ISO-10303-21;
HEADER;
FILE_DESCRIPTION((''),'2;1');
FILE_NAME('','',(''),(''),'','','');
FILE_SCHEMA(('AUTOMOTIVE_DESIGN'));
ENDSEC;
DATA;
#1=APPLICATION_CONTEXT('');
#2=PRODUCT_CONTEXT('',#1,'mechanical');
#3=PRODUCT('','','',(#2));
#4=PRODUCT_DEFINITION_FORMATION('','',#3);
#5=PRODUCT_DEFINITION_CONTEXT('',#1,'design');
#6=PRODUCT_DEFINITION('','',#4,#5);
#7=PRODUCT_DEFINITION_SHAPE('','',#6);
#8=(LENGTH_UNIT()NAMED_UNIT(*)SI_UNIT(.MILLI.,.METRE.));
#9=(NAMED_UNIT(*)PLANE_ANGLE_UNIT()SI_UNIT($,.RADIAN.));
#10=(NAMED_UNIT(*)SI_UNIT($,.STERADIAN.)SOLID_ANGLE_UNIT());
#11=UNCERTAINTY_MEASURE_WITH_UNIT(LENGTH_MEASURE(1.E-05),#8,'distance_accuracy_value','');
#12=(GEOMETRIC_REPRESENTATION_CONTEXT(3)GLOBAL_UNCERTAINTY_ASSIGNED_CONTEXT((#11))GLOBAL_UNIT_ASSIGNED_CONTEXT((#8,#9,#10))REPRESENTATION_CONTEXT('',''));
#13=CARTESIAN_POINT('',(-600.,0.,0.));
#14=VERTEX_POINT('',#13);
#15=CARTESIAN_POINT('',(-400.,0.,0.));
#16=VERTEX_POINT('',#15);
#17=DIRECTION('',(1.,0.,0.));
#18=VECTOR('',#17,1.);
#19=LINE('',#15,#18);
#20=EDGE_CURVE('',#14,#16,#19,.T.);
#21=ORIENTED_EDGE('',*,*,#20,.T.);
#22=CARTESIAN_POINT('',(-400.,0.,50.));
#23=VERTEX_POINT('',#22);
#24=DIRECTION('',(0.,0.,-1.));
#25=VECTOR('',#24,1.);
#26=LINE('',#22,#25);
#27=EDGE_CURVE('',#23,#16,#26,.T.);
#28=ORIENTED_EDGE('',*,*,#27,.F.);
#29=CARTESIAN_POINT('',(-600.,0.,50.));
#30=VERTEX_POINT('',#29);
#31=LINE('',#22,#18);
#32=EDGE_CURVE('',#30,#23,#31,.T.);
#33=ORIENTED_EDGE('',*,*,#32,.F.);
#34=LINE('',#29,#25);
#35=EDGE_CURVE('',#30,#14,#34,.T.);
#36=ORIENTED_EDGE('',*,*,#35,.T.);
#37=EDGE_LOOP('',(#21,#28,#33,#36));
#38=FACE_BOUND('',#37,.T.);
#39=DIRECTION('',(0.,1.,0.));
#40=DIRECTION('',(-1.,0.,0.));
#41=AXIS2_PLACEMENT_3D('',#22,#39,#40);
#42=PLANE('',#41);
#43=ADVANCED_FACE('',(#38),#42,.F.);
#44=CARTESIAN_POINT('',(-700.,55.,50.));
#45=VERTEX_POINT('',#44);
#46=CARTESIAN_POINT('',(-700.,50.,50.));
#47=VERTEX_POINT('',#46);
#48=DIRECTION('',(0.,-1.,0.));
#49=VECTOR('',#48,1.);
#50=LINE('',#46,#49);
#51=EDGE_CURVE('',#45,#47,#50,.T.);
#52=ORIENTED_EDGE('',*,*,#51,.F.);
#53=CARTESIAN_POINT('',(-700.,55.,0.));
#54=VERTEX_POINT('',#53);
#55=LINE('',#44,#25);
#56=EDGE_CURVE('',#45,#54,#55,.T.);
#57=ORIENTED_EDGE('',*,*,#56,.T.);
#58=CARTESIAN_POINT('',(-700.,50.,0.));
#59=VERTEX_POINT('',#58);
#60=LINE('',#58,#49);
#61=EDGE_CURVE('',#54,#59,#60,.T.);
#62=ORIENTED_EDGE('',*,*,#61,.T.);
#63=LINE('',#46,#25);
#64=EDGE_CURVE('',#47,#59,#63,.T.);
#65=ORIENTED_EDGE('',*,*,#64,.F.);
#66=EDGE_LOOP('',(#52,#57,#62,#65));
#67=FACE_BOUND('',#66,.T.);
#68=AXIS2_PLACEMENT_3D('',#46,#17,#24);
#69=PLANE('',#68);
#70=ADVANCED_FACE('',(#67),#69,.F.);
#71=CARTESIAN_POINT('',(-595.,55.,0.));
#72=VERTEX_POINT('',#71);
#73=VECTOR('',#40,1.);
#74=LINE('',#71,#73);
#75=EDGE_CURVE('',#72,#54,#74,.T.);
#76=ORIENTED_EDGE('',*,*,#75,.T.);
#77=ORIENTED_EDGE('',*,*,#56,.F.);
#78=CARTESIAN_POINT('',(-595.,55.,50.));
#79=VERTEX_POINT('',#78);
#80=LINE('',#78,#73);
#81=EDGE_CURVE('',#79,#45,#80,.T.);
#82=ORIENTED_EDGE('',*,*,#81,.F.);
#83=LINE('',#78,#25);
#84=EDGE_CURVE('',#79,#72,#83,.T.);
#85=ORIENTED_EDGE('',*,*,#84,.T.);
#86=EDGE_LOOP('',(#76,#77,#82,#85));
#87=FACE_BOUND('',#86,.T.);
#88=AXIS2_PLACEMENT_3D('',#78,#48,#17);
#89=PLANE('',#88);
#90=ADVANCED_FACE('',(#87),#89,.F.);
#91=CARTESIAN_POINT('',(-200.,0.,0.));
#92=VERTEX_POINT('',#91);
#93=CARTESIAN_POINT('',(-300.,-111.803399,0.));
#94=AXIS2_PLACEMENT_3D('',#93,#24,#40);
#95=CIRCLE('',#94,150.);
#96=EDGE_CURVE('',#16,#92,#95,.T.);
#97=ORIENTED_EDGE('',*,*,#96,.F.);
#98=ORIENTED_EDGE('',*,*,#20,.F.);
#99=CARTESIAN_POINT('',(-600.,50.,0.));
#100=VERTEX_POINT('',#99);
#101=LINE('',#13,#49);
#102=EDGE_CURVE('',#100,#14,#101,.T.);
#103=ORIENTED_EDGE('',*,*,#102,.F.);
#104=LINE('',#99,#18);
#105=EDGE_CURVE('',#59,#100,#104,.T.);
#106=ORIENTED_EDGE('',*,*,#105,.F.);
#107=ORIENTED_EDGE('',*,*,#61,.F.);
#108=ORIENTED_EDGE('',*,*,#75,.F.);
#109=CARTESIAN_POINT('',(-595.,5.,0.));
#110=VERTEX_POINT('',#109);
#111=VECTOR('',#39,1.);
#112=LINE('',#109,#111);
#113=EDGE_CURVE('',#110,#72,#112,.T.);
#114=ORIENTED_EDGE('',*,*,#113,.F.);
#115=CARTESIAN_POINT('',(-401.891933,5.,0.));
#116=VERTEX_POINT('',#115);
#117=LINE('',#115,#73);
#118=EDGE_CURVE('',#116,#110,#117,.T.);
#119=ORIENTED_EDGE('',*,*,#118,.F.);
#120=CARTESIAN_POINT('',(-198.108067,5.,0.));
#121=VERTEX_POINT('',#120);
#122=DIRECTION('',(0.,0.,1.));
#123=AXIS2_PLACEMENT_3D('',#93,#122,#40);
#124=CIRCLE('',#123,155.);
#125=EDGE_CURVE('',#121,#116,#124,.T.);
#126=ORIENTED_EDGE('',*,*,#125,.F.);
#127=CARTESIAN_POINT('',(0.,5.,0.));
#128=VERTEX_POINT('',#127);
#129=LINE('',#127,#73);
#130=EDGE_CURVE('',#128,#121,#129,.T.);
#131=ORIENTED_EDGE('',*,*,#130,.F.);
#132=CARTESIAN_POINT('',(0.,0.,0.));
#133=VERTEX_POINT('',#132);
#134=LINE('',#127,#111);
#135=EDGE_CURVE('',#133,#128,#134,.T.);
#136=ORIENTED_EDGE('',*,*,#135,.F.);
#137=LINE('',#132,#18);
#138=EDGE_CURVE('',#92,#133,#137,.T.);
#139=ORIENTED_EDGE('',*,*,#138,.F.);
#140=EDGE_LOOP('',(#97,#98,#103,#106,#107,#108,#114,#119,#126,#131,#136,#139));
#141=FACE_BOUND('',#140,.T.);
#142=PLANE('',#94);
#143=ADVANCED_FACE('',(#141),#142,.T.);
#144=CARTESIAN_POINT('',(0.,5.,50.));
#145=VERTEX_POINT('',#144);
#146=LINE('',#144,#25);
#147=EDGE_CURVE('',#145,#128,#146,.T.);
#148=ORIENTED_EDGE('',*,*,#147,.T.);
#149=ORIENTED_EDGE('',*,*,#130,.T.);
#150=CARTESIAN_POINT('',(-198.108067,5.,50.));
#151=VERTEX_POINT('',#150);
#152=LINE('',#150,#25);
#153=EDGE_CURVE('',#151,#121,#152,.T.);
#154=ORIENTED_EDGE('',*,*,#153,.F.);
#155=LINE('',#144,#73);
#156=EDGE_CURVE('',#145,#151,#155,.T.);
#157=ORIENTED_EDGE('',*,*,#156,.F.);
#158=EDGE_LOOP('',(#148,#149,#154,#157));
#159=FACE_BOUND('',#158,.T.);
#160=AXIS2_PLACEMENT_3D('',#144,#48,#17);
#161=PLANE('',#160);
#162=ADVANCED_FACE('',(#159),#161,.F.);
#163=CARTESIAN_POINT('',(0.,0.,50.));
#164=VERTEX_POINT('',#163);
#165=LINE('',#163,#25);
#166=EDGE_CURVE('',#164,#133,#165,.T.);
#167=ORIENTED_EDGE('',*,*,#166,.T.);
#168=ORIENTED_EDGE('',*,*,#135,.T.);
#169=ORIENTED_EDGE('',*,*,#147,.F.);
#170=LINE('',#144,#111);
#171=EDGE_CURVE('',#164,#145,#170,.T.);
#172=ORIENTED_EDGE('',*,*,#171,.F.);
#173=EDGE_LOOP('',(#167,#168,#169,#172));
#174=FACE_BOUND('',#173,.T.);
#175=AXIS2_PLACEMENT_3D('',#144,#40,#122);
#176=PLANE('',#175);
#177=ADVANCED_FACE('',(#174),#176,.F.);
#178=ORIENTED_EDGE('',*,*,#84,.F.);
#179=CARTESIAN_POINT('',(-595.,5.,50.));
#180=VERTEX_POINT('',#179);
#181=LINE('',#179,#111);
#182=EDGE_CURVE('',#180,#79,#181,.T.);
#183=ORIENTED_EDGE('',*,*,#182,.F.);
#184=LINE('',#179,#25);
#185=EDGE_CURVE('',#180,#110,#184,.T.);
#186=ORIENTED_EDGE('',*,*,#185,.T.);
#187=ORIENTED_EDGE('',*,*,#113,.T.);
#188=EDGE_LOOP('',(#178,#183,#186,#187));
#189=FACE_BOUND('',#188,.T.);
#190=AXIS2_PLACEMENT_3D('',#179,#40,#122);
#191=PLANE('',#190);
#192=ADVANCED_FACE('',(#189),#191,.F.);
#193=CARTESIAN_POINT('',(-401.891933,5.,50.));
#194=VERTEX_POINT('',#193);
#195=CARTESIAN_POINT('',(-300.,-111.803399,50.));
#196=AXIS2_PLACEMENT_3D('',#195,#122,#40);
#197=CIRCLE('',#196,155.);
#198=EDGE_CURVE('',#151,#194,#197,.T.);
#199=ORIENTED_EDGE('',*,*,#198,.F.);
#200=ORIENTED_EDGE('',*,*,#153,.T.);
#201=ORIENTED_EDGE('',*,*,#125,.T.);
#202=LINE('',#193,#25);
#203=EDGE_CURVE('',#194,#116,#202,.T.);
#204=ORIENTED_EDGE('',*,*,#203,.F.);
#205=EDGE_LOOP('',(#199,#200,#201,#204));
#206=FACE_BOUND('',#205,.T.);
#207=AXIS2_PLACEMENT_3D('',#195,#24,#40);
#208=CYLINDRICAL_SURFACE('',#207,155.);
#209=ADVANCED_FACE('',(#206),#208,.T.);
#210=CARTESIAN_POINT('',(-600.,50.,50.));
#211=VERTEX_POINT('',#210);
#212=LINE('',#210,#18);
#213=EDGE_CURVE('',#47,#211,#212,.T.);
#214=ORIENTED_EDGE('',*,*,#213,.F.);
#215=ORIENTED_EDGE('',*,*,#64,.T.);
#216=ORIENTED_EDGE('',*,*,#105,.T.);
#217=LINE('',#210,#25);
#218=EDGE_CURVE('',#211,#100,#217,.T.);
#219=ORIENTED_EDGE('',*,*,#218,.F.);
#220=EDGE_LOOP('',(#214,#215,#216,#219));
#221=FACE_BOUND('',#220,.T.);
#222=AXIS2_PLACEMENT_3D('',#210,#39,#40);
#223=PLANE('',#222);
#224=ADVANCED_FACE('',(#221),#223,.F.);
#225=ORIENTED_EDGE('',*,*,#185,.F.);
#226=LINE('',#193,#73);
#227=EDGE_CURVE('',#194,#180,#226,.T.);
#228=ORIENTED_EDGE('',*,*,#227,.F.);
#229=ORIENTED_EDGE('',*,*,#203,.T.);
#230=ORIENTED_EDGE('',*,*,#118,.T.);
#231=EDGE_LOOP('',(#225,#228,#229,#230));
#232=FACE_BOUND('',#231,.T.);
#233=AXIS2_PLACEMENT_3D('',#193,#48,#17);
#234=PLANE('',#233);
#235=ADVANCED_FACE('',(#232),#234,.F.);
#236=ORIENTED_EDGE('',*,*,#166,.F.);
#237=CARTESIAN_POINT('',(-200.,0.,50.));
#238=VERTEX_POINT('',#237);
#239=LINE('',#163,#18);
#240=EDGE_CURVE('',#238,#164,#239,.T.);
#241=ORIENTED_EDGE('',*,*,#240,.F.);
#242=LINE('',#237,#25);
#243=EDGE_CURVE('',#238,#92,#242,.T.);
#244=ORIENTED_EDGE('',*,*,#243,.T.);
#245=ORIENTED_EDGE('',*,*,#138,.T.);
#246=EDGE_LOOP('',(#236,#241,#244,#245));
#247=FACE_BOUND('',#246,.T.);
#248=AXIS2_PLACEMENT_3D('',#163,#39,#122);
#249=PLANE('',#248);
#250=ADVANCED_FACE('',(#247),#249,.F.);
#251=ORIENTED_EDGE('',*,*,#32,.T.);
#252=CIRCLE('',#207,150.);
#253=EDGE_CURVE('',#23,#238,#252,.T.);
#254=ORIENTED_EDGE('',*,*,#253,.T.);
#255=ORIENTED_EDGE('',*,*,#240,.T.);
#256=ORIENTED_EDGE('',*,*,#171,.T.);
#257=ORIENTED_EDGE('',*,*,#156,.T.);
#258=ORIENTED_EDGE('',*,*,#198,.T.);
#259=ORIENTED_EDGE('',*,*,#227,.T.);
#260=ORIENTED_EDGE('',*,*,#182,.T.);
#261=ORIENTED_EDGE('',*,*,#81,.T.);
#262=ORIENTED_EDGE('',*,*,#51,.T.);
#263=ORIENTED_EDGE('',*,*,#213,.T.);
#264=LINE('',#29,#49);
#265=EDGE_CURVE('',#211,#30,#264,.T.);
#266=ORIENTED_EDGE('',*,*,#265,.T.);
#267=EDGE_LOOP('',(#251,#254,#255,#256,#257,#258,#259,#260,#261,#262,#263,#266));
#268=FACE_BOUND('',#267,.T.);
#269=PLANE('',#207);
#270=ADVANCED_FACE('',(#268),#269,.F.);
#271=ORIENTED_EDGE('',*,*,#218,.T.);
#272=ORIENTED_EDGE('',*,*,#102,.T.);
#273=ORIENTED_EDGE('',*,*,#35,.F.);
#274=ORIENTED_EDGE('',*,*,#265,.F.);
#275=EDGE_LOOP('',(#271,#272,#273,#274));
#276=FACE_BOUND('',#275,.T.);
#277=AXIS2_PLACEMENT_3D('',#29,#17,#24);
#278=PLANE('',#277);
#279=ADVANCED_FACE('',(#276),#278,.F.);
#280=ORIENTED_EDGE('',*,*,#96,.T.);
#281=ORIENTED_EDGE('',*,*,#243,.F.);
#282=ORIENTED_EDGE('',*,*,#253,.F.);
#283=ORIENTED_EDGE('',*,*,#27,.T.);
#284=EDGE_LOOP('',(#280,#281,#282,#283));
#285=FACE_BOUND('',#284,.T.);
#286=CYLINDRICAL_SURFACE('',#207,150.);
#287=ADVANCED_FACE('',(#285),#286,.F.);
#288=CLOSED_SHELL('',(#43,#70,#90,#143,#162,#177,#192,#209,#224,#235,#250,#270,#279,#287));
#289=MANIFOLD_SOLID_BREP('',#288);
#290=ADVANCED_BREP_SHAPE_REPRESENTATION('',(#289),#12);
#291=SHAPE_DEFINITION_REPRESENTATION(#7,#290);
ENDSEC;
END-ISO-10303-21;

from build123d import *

# Parameters (mm, degrees)
BOSS_EXTRUDE1_DEPTH = 50


with BuildPart() as part:
    # Sketch1 → Boss-Extrude1 (new body)
    with BuildSketch(Plane.XY):
        with BuildLine():
            Line((0, 0), (-200, 0))
            ThreePointArc((-200, 0), (-300, 38.196601125), (-400, 0))
            Line((-400, 0), (-600, 0))
            Line((-600, 0), (-600, 50))
            Line((-600, 50), (-700, 50))
            Line((-700, 50), (-700, 55))
            Line((-700, 55), (-595, 55))
            Line((-595, 55), (-595, 5))
            Line((-595, 5), (-401.891933004, 5))
            ThreePointArc((-401.891933004, 5), (-300, 43.196601125), (-198.108066996, 5))
            Line((-198.108066996, 5), (0, 5))
            Line((0, 5), (0, 0))
        make_face()
    extrude(amount=BOSS_EXTRUDE1_DEPTH)


solid = part.part
